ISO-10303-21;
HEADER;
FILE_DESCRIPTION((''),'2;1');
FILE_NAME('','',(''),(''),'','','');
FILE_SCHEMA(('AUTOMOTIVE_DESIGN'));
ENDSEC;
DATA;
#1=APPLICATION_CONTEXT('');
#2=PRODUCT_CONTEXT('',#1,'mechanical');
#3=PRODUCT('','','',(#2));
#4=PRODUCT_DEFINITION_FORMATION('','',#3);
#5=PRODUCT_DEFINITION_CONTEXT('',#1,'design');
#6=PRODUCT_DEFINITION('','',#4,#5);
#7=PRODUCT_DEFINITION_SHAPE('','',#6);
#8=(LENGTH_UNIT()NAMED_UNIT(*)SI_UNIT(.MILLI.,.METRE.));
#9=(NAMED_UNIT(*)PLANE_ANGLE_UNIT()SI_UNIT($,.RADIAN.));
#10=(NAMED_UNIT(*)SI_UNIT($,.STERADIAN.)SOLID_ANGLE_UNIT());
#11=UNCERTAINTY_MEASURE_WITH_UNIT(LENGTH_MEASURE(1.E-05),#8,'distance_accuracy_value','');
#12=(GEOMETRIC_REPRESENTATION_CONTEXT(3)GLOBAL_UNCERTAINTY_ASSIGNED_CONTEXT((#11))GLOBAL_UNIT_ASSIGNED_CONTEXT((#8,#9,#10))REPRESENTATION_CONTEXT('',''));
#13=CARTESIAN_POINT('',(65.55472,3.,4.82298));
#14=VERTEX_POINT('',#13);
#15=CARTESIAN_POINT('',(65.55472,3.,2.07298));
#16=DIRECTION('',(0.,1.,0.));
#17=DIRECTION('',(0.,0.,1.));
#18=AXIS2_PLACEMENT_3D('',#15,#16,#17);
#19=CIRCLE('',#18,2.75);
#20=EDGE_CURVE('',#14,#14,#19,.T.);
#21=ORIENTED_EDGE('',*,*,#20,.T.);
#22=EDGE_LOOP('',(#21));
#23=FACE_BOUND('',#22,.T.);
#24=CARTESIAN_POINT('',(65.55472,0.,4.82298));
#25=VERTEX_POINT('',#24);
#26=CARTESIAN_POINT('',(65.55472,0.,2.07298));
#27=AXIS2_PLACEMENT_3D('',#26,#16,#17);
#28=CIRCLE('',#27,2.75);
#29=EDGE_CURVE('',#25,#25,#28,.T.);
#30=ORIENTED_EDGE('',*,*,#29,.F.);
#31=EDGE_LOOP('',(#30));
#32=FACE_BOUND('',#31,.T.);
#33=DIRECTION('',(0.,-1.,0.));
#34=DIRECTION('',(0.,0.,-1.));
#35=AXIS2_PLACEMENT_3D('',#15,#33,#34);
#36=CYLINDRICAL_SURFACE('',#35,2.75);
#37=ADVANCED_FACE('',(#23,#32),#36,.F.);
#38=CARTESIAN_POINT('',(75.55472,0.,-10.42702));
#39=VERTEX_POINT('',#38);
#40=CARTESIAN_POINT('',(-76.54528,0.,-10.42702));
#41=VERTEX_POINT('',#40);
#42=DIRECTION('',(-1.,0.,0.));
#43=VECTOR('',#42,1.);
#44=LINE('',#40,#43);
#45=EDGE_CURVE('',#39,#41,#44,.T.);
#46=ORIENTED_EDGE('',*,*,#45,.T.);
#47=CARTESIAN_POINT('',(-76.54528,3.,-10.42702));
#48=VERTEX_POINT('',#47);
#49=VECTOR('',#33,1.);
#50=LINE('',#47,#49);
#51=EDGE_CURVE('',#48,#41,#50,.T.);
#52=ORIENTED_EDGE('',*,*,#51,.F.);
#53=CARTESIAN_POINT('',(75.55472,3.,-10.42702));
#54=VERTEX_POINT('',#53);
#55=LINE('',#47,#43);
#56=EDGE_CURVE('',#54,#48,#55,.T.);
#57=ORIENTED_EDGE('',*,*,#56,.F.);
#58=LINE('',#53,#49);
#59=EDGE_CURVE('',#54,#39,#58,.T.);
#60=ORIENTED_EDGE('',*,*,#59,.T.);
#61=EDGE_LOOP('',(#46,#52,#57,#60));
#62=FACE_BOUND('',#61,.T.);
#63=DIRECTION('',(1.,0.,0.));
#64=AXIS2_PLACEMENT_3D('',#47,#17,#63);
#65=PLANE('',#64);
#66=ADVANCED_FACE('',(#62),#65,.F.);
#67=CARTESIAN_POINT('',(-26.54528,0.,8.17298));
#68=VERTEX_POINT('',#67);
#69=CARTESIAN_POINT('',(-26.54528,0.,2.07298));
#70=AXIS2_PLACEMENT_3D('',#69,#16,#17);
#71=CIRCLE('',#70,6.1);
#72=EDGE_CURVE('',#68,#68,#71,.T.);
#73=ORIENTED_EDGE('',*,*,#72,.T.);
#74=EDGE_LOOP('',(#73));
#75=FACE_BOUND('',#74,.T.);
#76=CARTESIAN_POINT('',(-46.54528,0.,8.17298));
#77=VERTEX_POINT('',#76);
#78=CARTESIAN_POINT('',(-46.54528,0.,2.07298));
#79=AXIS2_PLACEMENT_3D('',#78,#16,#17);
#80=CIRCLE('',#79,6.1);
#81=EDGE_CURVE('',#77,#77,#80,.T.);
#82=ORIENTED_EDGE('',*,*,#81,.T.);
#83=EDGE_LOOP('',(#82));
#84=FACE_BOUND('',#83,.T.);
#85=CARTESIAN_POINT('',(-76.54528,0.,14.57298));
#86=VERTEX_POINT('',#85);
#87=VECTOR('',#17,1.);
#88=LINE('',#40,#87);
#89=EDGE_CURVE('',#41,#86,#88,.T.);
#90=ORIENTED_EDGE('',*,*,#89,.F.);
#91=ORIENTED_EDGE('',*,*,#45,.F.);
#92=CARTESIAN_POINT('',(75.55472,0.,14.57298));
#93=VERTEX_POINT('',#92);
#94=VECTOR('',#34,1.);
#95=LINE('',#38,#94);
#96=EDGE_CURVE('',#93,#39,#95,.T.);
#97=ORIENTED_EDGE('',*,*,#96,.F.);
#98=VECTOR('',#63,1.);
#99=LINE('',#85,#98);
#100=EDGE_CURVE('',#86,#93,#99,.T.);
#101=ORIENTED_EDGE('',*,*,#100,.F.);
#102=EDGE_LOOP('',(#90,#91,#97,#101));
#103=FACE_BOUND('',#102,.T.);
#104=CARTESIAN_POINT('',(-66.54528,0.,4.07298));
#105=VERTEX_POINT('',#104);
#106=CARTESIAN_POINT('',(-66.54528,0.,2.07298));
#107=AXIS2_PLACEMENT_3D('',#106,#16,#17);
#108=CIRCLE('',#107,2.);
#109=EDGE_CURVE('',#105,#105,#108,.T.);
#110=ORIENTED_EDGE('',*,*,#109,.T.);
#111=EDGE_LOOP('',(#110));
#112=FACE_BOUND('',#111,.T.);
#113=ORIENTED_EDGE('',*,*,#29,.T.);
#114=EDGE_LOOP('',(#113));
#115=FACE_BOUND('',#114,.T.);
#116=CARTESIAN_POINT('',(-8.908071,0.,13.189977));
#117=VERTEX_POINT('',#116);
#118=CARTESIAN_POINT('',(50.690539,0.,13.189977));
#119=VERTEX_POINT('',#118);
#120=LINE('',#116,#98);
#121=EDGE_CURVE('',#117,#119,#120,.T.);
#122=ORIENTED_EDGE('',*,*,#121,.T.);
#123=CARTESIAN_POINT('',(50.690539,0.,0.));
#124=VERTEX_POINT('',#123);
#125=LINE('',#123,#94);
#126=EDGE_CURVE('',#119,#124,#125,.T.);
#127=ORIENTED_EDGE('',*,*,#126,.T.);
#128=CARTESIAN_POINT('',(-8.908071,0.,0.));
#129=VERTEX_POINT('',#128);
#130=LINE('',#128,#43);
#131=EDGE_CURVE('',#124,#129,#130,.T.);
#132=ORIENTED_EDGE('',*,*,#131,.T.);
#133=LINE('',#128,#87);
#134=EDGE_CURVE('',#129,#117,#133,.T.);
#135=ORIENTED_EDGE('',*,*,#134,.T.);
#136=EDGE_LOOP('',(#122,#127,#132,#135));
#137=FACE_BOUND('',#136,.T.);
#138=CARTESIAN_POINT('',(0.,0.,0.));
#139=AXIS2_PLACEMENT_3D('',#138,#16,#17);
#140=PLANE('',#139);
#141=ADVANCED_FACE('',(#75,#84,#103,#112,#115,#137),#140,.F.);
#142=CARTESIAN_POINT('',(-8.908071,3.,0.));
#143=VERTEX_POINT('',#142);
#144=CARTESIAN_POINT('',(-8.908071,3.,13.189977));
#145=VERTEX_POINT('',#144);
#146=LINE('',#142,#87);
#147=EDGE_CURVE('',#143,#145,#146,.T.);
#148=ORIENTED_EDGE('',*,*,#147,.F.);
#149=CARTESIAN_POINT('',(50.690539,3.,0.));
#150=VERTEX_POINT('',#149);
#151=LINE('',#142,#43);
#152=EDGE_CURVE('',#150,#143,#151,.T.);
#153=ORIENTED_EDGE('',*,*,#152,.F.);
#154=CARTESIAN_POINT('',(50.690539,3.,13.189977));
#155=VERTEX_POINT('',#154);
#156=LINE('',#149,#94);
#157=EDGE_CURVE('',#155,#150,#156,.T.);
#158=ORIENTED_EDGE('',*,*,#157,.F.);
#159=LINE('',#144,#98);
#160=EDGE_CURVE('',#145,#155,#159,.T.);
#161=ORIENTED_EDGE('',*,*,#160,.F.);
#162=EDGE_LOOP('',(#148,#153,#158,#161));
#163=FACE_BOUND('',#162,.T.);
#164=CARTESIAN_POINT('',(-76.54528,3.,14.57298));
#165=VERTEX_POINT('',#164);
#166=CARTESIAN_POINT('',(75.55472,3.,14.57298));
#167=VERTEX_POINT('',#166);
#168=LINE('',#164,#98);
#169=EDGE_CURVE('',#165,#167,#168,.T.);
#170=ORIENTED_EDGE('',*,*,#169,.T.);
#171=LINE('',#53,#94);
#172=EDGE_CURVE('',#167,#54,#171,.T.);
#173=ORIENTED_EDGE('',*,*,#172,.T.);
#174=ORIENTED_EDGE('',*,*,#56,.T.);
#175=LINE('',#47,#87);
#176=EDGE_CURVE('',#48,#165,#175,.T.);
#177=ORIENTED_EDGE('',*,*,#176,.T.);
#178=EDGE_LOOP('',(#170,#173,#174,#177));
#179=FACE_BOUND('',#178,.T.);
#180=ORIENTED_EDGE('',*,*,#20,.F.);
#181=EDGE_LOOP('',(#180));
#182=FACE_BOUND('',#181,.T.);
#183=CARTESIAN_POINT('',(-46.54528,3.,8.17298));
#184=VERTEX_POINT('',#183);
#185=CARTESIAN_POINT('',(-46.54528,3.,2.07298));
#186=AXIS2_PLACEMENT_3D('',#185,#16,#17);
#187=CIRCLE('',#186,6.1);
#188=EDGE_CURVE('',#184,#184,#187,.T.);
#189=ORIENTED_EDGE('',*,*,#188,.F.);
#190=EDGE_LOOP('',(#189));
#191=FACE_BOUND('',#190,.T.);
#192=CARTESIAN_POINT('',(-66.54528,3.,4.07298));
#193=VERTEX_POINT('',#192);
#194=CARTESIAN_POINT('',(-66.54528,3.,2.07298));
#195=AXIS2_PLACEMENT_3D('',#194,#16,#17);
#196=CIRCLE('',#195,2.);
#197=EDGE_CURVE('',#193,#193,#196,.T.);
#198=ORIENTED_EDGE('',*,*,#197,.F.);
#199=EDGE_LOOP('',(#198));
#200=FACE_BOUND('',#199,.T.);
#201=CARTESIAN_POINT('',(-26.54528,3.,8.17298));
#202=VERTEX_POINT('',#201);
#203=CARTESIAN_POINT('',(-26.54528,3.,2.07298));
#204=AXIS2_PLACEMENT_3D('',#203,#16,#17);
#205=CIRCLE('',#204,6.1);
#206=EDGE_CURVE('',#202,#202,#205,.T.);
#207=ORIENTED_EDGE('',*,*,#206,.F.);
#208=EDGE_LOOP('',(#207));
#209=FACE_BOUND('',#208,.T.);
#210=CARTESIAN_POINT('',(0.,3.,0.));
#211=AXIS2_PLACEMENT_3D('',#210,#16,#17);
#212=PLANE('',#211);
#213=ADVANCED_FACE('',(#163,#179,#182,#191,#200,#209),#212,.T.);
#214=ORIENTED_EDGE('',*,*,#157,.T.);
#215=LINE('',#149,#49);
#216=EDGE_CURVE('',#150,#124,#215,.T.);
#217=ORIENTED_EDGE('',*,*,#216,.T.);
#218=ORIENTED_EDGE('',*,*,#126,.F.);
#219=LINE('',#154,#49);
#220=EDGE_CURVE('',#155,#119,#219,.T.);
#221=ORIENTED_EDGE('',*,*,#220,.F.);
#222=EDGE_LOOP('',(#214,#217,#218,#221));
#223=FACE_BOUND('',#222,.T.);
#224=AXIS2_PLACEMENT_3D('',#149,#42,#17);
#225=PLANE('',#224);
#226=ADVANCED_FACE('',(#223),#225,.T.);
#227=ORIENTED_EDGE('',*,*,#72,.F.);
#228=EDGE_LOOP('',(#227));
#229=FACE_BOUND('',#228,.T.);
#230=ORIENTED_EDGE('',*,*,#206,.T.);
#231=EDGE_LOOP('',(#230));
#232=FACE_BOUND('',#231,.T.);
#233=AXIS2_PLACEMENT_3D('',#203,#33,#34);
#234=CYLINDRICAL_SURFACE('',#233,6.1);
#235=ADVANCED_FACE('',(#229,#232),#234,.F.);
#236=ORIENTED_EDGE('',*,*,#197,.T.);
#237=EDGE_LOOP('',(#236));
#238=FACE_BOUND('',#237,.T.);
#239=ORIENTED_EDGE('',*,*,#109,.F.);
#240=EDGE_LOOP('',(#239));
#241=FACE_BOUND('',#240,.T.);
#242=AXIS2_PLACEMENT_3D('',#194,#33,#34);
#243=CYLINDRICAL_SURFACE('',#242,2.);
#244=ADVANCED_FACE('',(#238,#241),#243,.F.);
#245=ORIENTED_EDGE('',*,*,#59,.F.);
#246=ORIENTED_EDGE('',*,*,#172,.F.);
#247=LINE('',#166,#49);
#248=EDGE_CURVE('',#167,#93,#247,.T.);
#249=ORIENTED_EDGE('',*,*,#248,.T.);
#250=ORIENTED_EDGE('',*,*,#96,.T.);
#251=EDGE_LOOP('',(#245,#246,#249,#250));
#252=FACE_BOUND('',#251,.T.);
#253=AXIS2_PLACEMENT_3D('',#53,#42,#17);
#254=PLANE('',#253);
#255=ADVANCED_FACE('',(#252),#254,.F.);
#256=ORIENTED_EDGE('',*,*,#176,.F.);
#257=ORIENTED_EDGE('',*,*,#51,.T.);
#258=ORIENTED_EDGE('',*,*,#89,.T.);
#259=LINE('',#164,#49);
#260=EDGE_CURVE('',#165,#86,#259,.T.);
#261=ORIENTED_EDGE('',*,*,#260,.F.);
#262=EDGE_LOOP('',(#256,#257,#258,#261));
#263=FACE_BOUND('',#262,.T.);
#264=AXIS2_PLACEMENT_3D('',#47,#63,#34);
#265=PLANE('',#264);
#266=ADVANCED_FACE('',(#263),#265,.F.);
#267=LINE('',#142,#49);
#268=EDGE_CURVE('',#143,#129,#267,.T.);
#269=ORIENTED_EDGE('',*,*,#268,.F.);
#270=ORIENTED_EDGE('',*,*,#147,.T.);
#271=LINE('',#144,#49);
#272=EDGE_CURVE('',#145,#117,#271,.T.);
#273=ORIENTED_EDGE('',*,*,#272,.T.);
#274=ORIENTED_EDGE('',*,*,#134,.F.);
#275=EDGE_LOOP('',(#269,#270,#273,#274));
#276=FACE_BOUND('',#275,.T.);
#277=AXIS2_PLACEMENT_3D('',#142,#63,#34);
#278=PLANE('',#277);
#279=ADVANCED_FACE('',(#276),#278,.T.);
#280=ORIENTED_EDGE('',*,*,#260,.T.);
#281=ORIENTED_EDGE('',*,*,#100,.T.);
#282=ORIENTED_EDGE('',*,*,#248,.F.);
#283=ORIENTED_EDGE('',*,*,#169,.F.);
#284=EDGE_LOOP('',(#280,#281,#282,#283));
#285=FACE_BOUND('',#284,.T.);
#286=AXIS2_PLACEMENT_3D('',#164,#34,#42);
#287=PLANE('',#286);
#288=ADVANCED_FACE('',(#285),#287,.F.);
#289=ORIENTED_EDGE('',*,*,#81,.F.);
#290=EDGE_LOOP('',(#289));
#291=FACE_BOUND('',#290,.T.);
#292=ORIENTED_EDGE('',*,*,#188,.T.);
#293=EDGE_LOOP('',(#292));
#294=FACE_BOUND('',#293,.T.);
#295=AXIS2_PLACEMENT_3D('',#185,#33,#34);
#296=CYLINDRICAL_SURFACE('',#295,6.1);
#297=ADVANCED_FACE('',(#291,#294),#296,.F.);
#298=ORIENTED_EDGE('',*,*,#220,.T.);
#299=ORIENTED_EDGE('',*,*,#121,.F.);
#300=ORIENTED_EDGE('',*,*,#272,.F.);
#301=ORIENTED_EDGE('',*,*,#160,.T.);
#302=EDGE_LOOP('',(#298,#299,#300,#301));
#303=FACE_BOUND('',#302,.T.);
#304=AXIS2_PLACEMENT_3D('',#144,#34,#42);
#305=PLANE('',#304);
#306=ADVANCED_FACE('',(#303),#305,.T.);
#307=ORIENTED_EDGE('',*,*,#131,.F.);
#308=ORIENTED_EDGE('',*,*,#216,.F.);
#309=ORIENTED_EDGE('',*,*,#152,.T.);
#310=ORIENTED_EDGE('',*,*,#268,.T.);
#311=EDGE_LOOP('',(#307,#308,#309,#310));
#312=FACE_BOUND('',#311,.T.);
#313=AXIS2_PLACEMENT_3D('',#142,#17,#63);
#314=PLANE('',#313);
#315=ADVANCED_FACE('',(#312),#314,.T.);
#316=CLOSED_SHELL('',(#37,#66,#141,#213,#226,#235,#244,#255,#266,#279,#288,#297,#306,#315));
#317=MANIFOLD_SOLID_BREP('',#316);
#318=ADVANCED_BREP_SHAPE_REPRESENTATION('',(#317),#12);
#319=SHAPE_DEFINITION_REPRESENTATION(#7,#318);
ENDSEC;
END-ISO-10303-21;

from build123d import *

# Parameters (mm, degrees)
ESQUISSE1_W             = 152.1
ESQUISSE1_H             = 25
ESQUISSE1_R             = 2.75
ESQUISSE1_R_2           = 2
BOSS_EXTRU_1_DEPTH      = 3
ESQUISSE3_R             = 6.1
ESQUISSE3_W             = 59.598609465
ESQUISSE3_H             = 13.189977142
ENL_V_MAT_EXTRU_2_DEPTH = 78.977892392


with BuildPart() as part:
    # Esquisse1 → Boss.-Extru.1 (new body)
    with BuildSketch(Plane(origin=(0, 0, 0), x_dir=(1, 0, 0), z_dir=(0, 1, 0))):
        with Locations((-0.495280426, -2.072980011)):
            Rectangle(ESQUISSE1_W, ESQUISSE1_H)
        with Locations(Location((65.554719574, -2.072980011, 0), (0, 0, 270))):
            Circle(ESQUISSE1_R, mode=Mode.SUBTRACT)
        with Locations(Location((-66.545280426, -2.072980011, 0), (0, 0, 270))):
            Circle(ESQUISSE1_R_2, mode=Mode.SUBTRACT)
    extrude(amount=BOSS_EXTRU_1_DEPTH)

    # Esquisse3 → Enlèv. mat.-Extru.2 (cut, through all)
    with BuildSketch(Plane(origin=(0, 0, 0), x_dir=(1, 0, 0), z_dir=(0, 1, 0))):
        with Locations(Location((-46.545280426, -2.072980011, 0), (0, 0, 270))):
            Circle(ESQUISSE3_R)
        with Locations(Location((-26.545280426, -2.072980011, 0), (0, 0, 270))):
            Circle(ESQUISSE3_R)
        with Locations((20.891233837, -6.594988571)):
            Rectangle(ESQUISSE3_W, ESQUISSE3_H)
    extrude(amount=ENL_V_MAT_EXTRU_2_DEPTH, mode=Mode.SUBTRACT)


solid = part.part
